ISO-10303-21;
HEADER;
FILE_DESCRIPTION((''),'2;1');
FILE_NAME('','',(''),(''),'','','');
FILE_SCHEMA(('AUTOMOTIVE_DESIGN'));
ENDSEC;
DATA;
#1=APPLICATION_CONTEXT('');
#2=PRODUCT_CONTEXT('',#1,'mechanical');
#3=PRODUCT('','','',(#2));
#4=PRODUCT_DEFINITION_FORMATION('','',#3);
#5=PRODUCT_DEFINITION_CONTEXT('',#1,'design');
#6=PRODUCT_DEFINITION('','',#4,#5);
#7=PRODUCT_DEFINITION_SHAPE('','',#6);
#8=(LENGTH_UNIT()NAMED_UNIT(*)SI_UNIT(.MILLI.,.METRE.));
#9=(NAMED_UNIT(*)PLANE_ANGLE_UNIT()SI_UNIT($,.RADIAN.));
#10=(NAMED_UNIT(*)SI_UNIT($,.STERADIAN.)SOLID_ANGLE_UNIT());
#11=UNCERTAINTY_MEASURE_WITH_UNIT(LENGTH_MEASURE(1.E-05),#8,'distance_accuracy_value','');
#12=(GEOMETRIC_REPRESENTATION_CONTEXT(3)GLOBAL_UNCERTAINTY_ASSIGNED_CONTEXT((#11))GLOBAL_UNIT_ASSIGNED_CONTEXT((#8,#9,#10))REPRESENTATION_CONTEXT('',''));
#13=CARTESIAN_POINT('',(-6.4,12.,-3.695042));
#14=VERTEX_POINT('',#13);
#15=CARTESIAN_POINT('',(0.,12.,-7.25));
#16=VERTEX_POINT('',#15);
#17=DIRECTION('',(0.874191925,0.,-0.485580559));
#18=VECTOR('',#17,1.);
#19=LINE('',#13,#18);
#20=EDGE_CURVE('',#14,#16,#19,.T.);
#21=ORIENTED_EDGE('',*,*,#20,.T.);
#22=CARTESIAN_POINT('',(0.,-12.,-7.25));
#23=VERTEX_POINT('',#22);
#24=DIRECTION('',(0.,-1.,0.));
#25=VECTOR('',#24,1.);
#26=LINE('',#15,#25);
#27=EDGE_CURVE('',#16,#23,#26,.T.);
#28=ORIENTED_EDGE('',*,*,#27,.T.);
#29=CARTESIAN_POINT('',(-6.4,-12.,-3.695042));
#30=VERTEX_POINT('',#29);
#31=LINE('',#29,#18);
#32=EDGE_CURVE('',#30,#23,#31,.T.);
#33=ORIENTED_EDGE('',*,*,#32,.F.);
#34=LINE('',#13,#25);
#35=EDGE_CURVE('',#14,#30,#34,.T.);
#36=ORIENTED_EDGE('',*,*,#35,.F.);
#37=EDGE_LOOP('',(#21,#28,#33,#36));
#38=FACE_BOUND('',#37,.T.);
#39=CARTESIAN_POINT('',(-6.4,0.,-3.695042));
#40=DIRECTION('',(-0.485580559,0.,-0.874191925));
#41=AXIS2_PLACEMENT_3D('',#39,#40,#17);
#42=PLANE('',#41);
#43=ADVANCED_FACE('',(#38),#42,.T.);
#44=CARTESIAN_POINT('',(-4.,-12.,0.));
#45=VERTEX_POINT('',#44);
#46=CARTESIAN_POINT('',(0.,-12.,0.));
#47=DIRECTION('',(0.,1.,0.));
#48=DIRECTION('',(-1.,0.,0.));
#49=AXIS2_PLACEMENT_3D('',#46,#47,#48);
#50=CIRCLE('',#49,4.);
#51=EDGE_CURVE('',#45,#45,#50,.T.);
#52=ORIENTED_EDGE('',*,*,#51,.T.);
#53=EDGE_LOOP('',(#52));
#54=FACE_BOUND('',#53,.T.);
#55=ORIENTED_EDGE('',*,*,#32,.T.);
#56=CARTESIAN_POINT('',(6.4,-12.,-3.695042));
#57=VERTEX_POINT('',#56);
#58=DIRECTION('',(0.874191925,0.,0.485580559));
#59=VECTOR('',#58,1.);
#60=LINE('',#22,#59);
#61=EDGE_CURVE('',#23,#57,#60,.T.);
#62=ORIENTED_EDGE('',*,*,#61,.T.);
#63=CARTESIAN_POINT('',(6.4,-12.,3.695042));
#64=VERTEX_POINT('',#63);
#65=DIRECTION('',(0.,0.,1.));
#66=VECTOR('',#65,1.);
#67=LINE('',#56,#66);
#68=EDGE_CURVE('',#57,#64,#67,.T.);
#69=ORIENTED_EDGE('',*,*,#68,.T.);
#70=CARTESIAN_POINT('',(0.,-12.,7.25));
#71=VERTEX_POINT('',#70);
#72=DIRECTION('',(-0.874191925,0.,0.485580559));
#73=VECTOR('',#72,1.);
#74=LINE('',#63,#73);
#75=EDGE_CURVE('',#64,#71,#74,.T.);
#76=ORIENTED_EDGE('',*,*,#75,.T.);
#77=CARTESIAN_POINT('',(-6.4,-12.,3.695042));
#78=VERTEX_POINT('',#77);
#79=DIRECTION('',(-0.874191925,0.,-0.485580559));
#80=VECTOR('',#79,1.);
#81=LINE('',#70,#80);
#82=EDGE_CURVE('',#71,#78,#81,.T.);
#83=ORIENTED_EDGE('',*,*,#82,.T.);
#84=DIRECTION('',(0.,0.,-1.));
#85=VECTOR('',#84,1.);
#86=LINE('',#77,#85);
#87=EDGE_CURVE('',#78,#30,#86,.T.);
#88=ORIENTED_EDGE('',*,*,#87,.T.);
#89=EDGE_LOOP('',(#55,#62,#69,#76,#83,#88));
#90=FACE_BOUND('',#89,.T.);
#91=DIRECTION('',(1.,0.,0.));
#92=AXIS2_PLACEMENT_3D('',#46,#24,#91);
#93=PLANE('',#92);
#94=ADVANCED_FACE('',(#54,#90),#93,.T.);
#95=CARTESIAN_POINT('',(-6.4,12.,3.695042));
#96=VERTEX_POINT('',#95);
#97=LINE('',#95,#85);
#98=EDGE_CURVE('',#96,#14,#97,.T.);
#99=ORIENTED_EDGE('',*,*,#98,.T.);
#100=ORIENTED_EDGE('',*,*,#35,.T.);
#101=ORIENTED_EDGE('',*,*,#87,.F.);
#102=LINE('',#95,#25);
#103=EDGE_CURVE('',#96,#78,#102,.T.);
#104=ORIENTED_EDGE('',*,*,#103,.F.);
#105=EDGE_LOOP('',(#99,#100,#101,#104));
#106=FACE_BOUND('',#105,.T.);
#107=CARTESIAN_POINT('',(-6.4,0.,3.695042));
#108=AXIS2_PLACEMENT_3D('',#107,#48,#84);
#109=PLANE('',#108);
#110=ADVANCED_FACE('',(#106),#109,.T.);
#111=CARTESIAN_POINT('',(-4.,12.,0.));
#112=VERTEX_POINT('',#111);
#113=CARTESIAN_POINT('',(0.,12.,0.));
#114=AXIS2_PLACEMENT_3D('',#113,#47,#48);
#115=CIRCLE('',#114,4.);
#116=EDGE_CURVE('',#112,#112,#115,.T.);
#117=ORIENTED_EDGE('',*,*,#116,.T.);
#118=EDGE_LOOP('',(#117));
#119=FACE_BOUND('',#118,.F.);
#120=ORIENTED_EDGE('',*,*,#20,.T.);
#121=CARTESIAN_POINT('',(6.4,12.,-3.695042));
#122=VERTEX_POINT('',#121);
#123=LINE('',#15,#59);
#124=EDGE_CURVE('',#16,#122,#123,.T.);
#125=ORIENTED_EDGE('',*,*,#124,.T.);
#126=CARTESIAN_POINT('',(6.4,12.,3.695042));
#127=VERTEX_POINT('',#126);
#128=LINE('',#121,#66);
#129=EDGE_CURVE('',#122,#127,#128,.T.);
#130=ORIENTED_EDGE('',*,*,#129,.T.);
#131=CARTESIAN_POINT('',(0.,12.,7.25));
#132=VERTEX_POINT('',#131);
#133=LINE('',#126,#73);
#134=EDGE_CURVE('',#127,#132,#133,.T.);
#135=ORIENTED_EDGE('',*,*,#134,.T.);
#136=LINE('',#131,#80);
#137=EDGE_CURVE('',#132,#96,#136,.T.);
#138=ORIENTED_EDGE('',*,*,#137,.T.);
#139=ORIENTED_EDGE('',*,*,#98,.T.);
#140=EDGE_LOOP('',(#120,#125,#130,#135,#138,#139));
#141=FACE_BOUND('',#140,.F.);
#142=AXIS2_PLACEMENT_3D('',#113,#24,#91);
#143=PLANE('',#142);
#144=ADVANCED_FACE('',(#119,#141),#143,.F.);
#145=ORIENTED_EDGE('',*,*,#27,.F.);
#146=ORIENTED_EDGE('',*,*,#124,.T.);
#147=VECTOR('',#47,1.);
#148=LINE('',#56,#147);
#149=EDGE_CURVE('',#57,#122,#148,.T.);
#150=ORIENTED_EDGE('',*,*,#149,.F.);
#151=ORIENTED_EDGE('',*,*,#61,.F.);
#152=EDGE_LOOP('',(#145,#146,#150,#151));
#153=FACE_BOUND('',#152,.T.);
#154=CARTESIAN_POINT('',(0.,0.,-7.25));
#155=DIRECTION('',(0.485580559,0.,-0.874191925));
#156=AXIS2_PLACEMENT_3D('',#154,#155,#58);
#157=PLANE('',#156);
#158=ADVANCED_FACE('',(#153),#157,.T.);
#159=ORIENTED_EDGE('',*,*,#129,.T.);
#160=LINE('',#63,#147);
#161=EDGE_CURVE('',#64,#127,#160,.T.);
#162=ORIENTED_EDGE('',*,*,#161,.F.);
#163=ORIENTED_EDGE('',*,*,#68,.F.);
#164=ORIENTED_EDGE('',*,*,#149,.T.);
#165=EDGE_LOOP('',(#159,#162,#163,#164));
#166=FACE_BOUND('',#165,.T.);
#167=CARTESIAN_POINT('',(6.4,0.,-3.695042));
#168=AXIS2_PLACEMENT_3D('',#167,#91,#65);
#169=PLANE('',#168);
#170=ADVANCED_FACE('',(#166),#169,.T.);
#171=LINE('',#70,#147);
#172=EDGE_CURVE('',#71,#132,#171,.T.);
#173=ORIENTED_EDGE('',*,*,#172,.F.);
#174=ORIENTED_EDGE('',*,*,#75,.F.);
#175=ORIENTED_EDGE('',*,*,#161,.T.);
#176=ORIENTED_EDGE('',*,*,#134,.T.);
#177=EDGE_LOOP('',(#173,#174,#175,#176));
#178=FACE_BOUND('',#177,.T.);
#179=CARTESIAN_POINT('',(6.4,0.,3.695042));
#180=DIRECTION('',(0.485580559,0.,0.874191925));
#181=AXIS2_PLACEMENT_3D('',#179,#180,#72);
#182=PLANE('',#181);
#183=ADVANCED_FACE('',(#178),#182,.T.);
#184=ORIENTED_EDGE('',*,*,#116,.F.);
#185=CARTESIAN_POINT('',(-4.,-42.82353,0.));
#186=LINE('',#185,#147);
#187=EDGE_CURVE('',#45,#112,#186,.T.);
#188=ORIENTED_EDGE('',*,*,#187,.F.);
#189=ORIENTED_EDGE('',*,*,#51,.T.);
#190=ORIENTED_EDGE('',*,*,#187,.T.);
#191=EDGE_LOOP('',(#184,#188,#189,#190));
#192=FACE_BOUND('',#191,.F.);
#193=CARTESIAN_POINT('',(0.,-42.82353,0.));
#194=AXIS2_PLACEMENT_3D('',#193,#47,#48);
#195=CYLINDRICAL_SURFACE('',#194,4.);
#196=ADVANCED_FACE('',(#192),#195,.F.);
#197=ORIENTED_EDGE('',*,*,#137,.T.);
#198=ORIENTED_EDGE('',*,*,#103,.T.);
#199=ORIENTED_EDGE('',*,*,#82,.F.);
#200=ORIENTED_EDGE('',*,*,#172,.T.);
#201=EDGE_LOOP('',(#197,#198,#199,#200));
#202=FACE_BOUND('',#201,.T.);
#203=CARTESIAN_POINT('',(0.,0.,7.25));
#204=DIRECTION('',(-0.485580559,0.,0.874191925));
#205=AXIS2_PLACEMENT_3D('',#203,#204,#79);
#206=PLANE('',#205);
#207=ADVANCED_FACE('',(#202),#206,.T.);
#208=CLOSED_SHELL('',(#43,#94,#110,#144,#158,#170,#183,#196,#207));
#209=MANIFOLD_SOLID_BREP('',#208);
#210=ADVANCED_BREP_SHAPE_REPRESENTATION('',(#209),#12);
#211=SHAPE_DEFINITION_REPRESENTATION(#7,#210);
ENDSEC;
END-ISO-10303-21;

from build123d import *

# Parameters (mm, degrees)
F1_DEPTH = 12
F3_D     = 8


with BuildPart() as f1:
    # F0 (on Front) → F1 (new body, symmetric)
    with BuildSketch(Plane.XZ):
        Polygon((0, 7.25), (-6.4, 3.695042), (-6.4, -3.695042), (0, -7.25), (6.4, -3.695042), (6.4, 3.695042), align=None)
    extrude(amount=F1_DEPTH, both=True)

    # F3 (through all)
    with Locations(Plane.XZ.offset(12)):
        with Locations((0, 0)):
            Hole(F3_D / 2)


solid = f1.part
